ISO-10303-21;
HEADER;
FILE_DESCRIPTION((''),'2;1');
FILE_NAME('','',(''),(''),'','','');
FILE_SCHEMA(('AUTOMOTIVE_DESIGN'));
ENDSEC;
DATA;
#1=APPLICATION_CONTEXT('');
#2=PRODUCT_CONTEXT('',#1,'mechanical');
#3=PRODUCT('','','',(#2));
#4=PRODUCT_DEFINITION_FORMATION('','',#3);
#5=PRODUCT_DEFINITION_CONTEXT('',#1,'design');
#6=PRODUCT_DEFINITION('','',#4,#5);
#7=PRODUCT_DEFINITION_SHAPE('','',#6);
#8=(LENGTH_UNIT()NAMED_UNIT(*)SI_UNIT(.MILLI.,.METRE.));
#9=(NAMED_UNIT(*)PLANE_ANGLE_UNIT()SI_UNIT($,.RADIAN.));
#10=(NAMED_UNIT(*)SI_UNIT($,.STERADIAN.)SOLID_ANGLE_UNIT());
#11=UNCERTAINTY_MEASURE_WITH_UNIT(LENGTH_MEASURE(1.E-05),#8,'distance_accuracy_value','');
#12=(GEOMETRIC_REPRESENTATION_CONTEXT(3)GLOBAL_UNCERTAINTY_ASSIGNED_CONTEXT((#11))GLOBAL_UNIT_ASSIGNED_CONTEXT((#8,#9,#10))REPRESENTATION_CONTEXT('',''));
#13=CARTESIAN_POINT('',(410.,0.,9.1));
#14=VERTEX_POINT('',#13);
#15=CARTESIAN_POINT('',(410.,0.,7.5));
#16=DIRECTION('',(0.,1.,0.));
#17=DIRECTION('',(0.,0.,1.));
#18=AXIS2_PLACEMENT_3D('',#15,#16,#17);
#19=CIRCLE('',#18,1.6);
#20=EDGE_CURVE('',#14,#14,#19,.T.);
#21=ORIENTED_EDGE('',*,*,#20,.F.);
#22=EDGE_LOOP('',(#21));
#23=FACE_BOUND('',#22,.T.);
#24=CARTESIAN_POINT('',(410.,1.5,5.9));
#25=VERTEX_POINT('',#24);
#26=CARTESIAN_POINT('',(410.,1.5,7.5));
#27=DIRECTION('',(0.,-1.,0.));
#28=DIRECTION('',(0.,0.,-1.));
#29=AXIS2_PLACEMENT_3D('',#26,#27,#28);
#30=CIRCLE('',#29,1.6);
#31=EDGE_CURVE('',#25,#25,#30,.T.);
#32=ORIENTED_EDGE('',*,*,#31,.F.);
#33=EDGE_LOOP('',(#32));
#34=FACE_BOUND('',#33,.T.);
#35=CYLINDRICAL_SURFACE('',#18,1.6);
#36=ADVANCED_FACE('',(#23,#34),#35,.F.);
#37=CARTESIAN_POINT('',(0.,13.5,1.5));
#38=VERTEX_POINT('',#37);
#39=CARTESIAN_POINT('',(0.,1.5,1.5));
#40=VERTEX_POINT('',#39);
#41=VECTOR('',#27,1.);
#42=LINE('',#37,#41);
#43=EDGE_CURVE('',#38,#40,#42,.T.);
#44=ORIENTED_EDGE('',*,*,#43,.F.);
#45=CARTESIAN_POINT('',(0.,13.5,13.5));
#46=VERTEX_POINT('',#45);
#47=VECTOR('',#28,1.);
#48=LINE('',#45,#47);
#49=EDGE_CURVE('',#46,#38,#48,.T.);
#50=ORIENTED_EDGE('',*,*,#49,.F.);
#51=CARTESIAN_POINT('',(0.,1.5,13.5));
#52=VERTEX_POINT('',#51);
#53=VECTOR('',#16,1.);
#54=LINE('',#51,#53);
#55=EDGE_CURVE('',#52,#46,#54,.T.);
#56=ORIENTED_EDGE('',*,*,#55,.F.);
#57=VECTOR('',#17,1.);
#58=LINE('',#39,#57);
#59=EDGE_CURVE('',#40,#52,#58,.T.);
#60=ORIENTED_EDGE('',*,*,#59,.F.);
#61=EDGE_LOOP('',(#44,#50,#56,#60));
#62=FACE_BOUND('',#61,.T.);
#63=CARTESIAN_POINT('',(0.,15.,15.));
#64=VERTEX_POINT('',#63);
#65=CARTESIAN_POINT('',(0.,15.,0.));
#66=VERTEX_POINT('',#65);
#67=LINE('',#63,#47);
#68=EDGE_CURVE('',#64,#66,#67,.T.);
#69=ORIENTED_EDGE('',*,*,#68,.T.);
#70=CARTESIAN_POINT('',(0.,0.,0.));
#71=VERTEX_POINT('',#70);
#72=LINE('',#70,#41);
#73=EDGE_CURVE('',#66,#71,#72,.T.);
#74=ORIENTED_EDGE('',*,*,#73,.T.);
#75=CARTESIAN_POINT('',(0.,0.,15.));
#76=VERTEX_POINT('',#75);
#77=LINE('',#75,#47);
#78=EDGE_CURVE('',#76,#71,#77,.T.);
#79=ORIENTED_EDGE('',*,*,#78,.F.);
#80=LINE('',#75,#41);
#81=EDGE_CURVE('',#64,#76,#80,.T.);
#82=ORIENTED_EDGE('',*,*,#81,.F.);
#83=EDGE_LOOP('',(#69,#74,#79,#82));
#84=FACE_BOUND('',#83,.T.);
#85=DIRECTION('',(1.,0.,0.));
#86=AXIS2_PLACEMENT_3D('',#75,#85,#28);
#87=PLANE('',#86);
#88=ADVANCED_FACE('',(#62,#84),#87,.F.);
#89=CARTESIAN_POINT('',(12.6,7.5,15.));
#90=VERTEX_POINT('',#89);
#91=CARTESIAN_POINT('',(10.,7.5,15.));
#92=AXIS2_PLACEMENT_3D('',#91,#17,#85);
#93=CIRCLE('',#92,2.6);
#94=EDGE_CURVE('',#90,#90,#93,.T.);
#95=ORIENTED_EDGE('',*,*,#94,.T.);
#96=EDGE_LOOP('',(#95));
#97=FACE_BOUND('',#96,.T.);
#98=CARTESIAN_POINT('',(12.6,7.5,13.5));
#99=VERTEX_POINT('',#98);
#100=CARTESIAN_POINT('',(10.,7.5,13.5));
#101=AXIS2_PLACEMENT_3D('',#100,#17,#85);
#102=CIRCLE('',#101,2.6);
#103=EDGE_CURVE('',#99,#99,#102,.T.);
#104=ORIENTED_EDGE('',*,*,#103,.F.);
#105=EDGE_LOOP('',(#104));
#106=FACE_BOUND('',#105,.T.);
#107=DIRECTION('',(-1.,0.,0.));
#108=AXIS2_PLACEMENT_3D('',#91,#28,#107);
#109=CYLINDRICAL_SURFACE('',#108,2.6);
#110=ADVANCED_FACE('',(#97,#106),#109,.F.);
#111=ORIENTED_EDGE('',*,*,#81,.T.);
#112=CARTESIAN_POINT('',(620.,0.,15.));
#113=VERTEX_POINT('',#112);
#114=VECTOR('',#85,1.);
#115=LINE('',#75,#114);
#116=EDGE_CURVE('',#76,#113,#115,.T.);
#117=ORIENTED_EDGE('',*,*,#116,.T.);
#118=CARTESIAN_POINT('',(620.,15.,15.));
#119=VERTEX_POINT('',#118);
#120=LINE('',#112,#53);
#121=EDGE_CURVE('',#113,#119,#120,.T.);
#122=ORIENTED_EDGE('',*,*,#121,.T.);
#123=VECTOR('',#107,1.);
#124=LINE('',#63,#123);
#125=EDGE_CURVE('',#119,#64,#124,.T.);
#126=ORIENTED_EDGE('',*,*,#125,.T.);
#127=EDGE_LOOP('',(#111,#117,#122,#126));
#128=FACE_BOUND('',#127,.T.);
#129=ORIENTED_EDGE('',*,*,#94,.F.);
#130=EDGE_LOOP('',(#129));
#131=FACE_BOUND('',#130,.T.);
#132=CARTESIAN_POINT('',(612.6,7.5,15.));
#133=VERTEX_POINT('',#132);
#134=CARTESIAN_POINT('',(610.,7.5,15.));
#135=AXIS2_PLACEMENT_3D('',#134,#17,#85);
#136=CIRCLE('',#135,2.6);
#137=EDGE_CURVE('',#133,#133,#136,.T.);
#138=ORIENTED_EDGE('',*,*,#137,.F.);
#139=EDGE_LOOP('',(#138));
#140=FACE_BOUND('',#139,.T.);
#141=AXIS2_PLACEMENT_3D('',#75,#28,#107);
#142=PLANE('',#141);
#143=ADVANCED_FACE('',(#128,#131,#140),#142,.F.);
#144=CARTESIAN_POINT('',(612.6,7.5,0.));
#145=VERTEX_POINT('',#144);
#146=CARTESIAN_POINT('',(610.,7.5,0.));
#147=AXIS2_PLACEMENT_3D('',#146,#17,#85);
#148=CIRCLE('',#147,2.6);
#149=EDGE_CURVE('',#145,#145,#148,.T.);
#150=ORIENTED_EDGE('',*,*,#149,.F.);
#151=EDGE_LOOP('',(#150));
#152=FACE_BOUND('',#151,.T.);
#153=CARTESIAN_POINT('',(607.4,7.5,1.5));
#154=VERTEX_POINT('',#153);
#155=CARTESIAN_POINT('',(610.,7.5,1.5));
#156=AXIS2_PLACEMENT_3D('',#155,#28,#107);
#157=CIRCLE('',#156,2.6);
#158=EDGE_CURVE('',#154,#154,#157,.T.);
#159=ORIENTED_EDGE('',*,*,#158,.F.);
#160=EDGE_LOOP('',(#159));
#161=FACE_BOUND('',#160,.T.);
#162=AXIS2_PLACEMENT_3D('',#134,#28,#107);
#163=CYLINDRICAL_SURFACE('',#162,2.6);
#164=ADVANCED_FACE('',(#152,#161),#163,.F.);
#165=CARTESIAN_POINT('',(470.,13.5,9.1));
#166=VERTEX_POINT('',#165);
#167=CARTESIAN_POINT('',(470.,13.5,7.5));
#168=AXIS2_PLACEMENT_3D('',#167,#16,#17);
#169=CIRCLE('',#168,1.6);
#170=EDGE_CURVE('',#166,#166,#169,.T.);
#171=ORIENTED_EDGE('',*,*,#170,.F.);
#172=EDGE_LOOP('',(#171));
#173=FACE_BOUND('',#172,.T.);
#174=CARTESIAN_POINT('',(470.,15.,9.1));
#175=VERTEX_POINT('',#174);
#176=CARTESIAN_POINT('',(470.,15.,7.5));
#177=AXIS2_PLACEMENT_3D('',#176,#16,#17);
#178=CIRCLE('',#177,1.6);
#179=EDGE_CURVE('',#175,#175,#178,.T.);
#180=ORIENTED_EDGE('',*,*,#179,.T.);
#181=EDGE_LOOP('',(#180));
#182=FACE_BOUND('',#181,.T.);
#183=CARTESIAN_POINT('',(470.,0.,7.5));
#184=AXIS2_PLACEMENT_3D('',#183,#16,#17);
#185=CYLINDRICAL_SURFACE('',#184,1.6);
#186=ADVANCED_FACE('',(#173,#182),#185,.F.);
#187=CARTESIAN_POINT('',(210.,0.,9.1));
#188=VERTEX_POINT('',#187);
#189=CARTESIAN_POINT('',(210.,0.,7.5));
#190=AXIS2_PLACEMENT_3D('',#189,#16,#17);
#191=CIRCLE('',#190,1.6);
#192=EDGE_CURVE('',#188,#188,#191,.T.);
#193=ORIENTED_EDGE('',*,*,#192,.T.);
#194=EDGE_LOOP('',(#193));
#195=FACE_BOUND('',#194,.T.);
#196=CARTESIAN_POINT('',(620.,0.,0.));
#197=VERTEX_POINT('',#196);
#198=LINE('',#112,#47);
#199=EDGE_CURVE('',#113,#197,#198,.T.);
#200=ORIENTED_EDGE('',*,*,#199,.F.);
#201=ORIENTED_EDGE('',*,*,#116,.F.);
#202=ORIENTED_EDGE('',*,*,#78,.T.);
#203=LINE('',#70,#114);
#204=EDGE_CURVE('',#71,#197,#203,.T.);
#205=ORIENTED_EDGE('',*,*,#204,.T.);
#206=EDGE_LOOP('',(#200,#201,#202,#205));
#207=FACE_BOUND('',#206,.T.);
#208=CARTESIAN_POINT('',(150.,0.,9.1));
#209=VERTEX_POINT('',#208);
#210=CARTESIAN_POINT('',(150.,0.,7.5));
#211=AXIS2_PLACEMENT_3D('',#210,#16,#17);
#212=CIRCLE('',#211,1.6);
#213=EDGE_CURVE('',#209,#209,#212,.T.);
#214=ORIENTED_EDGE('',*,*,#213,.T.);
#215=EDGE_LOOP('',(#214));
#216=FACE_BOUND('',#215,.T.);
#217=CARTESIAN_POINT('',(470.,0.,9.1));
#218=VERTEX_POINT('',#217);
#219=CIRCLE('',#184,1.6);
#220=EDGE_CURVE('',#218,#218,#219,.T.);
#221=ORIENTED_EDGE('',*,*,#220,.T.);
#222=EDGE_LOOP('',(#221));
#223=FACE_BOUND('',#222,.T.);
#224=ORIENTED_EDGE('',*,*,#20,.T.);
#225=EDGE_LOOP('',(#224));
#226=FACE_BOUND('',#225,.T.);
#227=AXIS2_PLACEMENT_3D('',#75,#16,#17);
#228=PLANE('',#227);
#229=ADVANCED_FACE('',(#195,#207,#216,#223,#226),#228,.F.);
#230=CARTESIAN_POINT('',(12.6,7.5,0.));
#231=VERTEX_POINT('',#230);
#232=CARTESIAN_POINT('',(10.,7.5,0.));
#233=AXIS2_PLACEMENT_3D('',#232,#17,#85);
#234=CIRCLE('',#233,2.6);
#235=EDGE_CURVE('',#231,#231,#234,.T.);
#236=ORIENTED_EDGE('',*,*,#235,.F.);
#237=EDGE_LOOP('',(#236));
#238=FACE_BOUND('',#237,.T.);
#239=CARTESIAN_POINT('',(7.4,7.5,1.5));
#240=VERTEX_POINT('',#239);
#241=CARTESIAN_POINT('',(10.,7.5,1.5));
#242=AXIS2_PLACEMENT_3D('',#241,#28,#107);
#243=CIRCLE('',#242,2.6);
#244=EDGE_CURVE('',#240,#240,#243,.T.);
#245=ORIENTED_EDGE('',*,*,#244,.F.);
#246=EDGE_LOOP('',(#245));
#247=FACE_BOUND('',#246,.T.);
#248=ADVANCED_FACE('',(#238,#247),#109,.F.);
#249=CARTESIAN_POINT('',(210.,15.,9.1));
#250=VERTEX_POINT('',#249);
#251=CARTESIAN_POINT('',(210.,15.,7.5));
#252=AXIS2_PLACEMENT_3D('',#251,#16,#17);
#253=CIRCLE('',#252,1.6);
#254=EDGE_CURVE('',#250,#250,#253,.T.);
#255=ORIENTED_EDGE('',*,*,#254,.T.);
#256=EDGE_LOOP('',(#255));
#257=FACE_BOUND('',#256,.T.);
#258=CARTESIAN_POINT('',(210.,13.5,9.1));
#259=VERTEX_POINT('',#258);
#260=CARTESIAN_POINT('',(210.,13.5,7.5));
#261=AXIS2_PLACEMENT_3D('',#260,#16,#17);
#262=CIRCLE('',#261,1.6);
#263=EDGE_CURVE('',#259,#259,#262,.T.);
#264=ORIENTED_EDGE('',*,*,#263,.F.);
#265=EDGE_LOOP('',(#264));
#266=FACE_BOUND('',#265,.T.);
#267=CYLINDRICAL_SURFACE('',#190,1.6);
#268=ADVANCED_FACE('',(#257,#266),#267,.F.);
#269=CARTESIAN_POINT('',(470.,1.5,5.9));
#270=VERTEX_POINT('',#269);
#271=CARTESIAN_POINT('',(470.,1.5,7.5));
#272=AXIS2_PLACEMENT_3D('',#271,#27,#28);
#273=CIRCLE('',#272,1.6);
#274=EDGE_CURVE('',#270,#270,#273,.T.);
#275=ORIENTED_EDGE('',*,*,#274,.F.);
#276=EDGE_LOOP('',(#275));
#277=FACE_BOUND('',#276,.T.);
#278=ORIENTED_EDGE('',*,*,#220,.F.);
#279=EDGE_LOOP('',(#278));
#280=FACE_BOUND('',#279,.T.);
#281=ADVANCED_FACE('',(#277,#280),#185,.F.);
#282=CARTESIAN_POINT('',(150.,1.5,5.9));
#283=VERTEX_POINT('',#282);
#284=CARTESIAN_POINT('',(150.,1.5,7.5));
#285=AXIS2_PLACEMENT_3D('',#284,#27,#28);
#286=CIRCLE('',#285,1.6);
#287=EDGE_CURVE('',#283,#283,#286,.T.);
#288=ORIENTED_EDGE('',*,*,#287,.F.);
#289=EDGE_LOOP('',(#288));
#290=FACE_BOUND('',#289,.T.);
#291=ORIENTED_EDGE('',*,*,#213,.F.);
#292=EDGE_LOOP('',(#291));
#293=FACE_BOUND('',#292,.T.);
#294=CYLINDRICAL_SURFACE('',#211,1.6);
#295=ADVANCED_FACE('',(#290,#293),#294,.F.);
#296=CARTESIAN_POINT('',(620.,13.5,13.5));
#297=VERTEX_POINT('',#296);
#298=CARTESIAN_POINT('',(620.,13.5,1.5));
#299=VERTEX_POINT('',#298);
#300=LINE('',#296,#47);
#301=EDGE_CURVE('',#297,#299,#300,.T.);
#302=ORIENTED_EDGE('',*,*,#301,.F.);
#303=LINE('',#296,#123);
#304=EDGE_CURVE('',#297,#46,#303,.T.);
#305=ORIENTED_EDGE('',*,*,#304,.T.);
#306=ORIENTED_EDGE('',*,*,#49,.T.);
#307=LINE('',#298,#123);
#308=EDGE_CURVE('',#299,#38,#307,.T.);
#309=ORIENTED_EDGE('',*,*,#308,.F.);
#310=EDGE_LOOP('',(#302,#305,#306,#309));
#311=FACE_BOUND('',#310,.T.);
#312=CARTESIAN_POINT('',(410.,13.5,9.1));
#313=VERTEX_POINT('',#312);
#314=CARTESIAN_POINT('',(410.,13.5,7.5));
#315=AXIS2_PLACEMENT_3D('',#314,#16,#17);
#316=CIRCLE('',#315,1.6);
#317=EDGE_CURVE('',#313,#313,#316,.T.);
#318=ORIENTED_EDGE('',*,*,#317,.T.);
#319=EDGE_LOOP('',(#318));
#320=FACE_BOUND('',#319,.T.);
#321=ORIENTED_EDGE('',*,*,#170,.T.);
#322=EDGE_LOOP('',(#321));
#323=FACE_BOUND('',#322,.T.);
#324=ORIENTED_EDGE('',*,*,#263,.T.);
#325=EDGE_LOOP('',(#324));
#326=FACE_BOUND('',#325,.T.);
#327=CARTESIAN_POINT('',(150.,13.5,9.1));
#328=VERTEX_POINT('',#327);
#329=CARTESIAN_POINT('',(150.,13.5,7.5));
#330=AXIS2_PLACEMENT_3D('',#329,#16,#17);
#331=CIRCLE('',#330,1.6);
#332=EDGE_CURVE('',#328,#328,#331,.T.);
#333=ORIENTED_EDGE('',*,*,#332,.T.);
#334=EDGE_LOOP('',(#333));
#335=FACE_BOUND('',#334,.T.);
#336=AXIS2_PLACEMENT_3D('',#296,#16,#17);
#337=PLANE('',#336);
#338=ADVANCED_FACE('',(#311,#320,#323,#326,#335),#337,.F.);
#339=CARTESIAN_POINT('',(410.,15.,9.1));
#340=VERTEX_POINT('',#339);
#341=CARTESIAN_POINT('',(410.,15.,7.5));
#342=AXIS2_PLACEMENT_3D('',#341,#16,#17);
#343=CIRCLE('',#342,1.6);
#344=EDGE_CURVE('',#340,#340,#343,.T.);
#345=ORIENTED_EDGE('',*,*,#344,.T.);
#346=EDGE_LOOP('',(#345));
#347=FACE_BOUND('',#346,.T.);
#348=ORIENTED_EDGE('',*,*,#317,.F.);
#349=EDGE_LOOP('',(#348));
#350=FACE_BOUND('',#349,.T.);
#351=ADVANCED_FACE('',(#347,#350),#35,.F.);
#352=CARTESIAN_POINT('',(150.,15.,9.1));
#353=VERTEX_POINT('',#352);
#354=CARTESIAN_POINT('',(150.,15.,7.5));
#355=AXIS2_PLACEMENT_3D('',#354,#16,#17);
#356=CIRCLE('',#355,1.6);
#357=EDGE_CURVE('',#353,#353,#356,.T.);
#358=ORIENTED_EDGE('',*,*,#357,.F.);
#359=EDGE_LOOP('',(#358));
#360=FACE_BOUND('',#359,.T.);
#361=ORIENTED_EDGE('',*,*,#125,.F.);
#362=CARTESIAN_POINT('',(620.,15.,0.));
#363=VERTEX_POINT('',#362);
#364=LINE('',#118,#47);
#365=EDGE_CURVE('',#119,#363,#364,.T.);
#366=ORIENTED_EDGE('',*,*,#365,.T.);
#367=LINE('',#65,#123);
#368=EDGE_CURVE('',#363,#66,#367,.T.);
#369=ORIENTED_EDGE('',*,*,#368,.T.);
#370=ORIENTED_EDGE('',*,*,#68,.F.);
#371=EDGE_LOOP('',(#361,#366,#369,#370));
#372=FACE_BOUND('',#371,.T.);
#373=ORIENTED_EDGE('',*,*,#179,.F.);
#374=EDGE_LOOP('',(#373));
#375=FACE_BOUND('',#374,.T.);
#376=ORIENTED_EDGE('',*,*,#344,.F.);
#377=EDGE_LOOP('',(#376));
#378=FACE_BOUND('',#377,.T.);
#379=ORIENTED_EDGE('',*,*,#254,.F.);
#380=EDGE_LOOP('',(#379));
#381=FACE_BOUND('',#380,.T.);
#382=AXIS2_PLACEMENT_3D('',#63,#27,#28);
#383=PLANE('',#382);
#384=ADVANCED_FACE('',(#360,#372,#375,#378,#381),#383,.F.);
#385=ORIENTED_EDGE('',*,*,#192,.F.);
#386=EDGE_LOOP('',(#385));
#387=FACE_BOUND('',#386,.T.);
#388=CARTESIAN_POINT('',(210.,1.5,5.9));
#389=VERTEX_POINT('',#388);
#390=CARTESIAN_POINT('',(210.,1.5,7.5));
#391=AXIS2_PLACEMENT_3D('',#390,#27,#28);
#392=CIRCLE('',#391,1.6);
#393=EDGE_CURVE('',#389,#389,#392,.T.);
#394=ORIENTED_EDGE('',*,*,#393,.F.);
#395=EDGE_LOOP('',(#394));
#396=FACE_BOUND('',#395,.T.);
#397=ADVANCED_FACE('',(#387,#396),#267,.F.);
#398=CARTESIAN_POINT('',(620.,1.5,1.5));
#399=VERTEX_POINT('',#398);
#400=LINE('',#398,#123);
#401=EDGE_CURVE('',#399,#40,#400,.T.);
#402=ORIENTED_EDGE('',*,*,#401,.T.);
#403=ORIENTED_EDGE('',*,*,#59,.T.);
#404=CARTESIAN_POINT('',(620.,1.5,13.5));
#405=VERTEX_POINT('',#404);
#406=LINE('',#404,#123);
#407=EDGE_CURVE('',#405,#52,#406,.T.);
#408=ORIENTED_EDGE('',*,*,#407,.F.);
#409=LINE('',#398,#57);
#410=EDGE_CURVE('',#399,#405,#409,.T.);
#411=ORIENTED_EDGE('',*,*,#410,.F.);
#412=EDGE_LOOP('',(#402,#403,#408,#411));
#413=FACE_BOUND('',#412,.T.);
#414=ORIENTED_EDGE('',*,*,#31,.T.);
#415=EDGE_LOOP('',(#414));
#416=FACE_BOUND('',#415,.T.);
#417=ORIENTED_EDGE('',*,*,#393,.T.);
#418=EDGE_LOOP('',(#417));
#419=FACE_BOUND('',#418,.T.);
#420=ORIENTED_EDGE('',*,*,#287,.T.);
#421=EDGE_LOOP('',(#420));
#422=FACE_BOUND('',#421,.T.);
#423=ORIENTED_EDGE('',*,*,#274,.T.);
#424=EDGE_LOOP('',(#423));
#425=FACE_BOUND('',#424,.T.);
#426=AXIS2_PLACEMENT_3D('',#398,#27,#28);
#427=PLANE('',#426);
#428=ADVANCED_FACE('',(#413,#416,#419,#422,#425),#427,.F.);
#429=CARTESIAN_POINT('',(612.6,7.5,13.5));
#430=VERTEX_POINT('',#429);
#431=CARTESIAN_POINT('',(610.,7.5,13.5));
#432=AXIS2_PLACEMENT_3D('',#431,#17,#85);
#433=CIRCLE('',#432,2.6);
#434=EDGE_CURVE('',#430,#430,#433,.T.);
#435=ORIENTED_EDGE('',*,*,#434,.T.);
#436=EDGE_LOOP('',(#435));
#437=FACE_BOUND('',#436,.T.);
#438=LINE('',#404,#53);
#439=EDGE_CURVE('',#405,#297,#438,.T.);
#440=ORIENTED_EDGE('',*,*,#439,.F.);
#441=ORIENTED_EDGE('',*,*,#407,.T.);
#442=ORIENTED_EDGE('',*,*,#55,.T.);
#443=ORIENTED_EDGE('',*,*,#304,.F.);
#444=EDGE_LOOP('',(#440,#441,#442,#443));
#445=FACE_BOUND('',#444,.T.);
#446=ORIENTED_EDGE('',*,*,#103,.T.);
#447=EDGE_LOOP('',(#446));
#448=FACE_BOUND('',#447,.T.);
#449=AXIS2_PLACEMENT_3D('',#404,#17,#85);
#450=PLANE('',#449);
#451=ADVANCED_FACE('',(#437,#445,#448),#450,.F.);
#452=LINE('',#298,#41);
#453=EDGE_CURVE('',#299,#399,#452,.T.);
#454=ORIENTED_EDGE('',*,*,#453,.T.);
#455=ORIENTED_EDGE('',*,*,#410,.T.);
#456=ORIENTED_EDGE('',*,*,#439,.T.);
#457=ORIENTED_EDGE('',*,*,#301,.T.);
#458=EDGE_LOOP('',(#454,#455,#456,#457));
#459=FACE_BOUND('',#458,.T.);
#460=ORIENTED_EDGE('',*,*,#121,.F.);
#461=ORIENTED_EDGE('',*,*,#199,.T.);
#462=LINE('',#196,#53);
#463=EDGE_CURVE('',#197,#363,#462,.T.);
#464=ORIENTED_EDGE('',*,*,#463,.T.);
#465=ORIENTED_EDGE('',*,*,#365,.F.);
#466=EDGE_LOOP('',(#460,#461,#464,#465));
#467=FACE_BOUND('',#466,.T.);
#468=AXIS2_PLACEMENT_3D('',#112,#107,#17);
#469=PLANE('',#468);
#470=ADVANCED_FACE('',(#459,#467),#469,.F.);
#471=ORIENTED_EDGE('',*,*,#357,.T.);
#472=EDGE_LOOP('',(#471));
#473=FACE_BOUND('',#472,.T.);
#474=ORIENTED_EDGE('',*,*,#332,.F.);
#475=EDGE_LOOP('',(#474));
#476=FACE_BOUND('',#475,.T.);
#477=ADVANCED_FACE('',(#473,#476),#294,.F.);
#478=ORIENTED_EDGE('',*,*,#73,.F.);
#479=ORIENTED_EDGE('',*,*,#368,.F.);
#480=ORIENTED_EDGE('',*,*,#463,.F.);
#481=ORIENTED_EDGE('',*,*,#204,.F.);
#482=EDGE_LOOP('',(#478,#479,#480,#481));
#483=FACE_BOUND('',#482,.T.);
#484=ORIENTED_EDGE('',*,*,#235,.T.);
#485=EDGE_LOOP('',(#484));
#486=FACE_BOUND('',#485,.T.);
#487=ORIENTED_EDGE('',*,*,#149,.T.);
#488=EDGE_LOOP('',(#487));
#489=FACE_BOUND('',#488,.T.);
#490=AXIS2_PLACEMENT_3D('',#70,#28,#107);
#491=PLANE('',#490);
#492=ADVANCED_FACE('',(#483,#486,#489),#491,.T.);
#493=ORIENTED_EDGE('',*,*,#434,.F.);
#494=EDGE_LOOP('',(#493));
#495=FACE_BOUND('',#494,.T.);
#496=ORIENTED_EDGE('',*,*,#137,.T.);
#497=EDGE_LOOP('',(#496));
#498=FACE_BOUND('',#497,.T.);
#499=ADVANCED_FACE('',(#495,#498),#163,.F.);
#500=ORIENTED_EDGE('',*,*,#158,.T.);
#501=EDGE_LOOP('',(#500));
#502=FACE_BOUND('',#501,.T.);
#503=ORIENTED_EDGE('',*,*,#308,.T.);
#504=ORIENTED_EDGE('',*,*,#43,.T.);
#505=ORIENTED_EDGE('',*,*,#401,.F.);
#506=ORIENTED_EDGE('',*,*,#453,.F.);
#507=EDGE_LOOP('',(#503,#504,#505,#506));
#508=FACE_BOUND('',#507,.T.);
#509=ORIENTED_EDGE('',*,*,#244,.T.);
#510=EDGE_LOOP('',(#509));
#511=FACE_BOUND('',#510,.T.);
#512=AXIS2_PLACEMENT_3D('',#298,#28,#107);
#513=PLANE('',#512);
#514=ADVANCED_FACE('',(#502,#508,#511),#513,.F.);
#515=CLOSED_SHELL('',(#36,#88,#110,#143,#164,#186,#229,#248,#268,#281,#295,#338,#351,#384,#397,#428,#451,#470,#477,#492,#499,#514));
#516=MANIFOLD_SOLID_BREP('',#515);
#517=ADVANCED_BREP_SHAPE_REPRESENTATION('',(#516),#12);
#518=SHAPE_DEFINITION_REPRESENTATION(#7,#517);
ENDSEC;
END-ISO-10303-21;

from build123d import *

# Parameters (mm, degrees)
SKETCH_2_W          = 620
SKETCH_2_H          = 15
SKETCH_2_R          = 2.6
EXTRUDE_1_DEPTH     = 15
SKETCH_3_W          = 12
SKETCH_3_H          = 12
CUT_EXTRUDE_1_DEPTH = 621.362797079
SKETCH_4_R          = 1.6
CUT_EXTRUDE_2_DEPTH = 621.362797079


with BuildPart() as part:
    # ｽｹｯﾁ2 → ﾎﾞｽ - 押し出し1 (new body)
    with BuildSketch(Plane.XY):
        with Locations((310, 7.5)):
            Rectangle(SKETCH_2_W, SKETCH_2_H)
        with Locations((10, 7.5)):
            Circle(SKETCH_2_R, mode=Mode.SUBTRACT)
        with Locations((610, 7.5)):
            Circle(SKETCH_2_R, mode=Mode.SUBTRACT)
    extrude(amount=EXTRUDE_1_DEPTH)

    # ｽｹｯﾁ3 → ｶｯﾄ - 押し出し1 (cut, through all)
    with BuildSketch(Plane.ZY):
        with Locations((7.5, 7.5)):
            Rectangle(SKETCH_3_W, SKETCH_3_H)
    extrude(amount=-CUT_EXTRUDE_1_DEPTH, mode=Mode.SUBTRACT)

    # ｽｹｯﾁ4 → ｶｯﾄ - 押し出し2 (cut, through all)
    with BuildSketch(Plane(origin=(0, 15, 0), x_dir=(1, 0, 0), z_dir=(0, 1, 0))):
        with Locations(Location((470, -7.5, 0), (0, 0, 270))):
            Circle(SKETCH_4_R)
        with Locations(Location((410, -7.5, 0), (0, 0, 270))):
            Circle(SKETCH_4_R)
        with Locations(Location((150, -7.5, 0), (0, 0, 270))):
            Circle(SKETCH_4_R)
        with Locations(Location((210, -7.5, 0), (0, 0, 270))):
            Circle(SKETCH_4_R)
    extrude(amount=-CUT_EXTRUDE_2_DEPTH, mode=Mode.SUBTRACT)


solid = part.part
